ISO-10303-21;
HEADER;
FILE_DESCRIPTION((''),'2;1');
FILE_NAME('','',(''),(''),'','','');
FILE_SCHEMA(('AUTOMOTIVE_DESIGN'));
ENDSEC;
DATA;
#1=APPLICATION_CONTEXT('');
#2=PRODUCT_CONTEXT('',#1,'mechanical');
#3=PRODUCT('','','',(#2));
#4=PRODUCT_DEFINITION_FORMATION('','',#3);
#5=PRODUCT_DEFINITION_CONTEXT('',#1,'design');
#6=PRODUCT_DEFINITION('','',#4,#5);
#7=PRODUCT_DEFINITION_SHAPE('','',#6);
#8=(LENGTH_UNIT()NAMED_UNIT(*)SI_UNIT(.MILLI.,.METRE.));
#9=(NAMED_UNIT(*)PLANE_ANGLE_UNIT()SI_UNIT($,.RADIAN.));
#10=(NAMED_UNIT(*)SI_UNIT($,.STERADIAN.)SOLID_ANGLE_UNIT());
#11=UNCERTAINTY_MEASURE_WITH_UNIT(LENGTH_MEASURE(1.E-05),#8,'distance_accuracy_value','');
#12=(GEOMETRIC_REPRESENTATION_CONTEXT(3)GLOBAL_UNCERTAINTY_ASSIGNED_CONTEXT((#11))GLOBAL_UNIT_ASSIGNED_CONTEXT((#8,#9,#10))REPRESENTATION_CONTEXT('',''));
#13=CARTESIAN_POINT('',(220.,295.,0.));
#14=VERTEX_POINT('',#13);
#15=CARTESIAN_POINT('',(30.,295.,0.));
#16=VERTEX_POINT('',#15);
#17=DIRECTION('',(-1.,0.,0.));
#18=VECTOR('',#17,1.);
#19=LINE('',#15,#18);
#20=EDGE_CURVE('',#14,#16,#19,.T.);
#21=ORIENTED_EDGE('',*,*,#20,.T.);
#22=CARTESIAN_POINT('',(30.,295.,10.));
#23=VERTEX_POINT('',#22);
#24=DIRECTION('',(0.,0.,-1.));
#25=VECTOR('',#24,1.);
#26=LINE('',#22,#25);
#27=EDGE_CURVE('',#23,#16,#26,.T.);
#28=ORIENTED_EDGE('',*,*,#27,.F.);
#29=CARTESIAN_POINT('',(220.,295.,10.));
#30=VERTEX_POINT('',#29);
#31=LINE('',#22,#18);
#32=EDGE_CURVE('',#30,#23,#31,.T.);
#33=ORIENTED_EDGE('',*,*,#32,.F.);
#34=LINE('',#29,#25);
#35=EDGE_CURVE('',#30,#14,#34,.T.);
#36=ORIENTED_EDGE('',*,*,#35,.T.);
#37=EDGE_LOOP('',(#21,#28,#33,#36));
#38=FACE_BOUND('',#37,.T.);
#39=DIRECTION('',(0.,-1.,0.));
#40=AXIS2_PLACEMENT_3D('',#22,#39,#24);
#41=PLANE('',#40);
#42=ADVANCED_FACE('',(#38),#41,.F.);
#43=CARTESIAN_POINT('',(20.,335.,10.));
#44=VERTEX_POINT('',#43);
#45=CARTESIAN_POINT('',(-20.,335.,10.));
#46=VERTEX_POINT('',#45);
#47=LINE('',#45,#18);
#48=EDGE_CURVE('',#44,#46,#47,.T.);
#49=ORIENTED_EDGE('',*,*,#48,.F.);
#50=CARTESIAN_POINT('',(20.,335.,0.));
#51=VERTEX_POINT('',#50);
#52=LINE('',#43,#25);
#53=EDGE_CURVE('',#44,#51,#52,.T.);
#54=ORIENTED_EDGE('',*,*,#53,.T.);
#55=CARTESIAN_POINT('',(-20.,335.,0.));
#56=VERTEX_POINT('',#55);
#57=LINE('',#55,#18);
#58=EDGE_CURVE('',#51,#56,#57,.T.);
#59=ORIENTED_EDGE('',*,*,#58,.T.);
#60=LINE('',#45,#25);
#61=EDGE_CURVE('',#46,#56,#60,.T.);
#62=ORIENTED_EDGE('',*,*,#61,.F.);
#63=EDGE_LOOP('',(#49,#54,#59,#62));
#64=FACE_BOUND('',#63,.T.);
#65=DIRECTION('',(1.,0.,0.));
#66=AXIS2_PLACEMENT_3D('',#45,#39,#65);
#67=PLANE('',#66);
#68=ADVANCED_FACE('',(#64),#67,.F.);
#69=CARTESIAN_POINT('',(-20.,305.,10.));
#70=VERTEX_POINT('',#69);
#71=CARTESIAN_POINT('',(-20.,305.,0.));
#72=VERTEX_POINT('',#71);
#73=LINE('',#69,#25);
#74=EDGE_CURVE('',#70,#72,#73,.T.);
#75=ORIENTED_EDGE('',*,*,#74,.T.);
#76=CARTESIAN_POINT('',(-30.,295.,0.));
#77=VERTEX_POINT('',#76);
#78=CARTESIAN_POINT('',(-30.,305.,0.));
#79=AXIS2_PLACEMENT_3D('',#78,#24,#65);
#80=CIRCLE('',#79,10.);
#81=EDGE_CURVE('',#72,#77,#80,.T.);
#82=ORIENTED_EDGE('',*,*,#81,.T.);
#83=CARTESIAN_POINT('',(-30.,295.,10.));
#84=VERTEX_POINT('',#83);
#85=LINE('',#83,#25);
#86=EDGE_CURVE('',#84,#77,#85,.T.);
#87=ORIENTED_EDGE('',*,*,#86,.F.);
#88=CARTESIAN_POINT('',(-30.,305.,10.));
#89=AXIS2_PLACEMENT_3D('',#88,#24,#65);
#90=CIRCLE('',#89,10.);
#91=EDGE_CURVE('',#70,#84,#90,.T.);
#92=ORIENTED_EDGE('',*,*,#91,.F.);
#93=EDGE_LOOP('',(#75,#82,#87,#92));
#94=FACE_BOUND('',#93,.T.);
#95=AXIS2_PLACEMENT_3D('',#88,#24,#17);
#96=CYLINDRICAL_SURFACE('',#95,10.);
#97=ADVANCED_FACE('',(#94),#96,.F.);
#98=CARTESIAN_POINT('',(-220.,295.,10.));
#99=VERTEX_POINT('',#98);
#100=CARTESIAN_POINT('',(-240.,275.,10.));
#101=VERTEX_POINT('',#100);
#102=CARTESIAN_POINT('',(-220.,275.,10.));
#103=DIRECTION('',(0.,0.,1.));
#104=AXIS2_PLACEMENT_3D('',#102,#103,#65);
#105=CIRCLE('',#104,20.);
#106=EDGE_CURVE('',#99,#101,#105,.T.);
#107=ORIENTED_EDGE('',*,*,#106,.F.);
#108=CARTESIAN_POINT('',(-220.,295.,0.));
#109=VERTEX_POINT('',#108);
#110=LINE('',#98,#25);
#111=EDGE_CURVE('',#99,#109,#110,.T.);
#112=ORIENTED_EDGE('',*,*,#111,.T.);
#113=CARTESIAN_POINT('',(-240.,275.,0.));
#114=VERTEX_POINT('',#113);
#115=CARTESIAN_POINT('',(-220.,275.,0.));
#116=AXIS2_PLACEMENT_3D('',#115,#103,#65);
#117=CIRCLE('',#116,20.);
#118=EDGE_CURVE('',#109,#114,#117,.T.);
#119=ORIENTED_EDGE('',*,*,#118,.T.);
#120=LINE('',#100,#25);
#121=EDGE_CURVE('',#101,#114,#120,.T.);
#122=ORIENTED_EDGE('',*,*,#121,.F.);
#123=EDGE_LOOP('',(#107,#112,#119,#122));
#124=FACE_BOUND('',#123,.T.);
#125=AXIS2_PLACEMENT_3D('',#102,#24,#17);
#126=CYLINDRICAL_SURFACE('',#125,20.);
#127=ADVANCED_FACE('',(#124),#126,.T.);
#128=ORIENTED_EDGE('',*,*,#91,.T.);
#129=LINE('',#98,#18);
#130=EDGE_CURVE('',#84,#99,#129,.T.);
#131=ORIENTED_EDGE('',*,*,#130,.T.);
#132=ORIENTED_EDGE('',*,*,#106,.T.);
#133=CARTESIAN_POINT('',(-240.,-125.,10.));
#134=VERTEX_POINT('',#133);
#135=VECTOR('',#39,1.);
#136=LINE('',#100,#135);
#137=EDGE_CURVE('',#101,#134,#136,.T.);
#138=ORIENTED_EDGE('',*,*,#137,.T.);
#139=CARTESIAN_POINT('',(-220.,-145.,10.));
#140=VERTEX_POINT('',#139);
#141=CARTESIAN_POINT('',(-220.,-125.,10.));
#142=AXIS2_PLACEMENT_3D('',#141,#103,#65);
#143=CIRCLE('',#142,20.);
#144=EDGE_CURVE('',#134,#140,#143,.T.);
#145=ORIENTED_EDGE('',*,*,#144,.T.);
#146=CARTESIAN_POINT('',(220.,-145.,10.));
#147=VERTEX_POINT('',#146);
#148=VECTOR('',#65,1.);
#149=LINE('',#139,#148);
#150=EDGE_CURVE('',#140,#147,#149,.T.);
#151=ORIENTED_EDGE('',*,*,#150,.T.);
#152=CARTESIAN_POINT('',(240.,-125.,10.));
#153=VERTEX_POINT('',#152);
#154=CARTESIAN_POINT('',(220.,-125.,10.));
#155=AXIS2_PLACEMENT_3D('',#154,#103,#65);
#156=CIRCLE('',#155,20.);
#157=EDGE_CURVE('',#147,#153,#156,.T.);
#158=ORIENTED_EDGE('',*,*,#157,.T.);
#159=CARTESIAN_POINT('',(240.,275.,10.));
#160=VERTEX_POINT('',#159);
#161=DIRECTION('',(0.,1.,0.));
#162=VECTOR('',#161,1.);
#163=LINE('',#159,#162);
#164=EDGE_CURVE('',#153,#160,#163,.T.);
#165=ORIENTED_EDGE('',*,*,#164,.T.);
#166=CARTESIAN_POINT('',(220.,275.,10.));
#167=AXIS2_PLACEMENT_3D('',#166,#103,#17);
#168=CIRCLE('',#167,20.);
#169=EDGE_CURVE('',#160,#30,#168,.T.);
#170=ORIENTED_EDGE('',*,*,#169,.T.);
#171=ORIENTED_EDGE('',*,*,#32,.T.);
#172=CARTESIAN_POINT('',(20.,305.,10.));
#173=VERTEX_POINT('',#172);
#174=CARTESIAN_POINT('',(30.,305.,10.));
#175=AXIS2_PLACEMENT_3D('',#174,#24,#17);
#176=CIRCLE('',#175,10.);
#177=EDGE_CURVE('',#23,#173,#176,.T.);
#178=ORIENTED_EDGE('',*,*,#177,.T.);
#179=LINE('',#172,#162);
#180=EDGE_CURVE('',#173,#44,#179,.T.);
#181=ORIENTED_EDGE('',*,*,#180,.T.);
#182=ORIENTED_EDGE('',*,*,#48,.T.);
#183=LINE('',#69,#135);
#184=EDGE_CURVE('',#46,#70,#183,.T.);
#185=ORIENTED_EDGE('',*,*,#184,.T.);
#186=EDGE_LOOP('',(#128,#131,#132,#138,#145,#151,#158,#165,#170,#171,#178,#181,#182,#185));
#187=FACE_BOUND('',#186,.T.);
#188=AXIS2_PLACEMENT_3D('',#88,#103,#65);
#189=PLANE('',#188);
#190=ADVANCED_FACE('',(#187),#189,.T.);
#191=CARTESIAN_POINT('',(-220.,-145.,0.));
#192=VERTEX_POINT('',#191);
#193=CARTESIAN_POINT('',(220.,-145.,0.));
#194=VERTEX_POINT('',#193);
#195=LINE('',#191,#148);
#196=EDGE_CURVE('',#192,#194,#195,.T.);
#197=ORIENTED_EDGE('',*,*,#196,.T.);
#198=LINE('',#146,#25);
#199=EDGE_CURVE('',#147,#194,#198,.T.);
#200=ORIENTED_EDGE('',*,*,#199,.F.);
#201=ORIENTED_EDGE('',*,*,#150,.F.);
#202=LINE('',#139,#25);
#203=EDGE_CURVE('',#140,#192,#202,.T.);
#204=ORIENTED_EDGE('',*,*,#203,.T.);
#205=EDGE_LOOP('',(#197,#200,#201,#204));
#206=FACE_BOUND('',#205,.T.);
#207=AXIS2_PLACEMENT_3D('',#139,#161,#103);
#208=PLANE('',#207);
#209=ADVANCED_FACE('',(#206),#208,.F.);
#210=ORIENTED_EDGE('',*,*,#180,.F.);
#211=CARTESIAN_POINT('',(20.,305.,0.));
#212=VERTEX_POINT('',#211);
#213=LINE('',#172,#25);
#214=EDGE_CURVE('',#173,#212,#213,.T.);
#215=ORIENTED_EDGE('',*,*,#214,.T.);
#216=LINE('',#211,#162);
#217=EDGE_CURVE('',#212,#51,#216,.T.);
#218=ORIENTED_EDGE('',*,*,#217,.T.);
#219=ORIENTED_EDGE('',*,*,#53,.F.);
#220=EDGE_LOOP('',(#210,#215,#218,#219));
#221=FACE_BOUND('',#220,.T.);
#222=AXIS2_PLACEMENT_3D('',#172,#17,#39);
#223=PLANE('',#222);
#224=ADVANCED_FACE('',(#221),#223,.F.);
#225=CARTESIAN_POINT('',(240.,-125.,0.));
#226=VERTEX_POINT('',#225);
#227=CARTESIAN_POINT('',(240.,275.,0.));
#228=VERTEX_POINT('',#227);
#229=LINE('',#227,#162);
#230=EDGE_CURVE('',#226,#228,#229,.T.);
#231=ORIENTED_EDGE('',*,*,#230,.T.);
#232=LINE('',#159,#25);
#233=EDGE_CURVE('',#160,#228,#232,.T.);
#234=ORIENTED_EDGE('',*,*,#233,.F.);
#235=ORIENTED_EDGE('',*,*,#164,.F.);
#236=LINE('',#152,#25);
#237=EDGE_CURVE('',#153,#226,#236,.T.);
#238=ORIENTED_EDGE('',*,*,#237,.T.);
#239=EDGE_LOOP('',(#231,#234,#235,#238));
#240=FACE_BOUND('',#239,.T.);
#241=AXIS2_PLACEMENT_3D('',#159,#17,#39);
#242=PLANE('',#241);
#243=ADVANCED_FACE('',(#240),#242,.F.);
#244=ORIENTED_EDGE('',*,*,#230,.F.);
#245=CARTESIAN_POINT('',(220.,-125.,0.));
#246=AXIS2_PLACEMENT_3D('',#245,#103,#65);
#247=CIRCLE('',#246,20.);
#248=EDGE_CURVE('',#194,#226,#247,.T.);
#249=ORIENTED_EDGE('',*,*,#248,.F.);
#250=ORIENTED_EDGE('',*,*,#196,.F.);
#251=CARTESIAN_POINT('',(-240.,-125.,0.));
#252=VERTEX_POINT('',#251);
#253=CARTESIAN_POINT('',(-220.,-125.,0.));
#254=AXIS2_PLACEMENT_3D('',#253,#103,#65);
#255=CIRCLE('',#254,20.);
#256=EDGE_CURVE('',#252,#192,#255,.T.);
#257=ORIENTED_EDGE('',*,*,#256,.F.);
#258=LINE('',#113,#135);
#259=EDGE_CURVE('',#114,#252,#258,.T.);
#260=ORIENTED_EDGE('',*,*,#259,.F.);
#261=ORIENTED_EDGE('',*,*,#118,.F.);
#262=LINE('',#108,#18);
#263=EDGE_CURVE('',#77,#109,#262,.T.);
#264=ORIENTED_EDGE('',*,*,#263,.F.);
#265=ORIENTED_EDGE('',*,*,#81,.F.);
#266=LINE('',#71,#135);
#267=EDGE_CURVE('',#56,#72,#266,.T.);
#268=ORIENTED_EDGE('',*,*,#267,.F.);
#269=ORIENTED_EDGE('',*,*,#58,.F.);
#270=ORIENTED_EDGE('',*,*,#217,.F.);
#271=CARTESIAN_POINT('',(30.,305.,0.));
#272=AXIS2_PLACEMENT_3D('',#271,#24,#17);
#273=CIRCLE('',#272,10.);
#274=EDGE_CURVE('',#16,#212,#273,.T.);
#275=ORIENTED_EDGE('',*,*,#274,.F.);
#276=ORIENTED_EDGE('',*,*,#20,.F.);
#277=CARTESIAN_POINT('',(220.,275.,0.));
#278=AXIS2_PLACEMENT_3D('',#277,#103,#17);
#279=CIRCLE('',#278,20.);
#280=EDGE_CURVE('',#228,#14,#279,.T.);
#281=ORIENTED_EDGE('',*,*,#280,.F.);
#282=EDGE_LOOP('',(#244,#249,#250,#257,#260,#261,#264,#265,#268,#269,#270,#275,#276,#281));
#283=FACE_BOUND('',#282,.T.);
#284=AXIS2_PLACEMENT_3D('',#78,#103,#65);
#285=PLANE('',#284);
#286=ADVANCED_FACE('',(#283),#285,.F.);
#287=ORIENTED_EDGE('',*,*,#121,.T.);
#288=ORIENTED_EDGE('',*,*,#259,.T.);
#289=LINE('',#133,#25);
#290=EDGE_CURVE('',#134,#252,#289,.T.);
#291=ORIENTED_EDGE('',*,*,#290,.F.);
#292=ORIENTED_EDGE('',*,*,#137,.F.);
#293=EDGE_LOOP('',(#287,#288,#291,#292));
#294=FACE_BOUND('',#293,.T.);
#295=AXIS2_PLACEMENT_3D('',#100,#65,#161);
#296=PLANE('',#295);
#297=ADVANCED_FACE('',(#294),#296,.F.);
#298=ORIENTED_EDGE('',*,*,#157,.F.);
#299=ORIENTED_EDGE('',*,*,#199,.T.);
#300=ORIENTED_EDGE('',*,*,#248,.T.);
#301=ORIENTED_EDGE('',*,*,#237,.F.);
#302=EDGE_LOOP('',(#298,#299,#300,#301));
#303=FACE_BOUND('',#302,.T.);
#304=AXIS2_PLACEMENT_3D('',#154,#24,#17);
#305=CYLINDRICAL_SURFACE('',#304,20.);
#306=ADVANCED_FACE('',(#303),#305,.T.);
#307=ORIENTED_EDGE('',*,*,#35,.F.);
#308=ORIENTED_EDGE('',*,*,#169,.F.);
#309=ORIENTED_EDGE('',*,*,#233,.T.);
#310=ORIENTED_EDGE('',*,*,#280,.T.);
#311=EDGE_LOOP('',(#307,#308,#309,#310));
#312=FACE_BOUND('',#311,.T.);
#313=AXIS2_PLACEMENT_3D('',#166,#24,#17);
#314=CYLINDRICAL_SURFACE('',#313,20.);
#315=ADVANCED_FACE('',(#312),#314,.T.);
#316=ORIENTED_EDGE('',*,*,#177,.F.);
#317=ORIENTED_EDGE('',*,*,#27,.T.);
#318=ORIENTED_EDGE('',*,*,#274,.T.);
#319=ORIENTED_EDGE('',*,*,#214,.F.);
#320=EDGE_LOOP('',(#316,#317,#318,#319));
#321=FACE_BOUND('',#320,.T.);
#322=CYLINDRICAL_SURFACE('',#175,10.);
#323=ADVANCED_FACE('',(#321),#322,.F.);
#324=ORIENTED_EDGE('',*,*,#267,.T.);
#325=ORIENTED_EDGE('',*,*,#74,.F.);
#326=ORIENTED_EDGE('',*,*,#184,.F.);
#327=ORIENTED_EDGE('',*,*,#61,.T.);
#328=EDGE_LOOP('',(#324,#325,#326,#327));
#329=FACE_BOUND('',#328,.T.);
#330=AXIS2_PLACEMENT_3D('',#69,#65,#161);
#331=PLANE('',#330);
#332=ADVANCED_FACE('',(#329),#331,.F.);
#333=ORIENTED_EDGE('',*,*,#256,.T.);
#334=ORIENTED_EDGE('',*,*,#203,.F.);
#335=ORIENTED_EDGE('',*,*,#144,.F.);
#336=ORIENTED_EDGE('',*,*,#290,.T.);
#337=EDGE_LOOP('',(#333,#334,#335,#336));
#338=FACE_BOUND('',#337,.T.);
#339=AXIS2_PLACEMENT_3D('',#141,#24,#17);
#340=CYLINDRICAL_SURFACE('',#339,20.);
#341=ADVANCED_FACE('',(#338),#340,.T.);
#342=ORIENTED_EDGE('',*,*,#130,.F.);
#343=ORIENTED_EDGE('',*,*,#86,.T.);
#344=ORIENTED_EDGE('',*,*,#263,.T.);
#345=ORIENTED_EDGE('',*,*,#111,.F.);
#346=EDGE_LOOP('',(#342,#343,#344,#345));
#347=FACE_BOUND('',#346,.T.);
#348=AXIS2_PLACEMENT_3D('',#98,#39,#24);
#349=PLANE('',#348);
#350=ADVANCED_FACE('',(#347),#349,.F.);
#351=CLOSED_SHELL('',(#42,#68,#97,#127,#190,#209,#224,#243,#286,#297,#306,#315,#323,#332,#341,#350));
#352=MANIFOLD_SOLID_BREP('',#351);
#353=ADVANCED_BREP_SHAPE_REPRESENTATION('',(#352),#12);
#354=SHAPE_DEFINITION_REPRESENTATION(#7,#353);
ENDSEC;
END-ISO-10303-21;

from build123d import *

# Parameters (mm, degrees)
BOSS_EXTRU_1_DEPTH = 10


with BuildPart() as part:
    # Esquisse1 → Boss.-Extru.1 (new body)
    with BuildSketch(Plane.XY):
        with BuildLine():
            Line((-220, 295), (-30, 295))
            ThreePointArc((-30, 295), (-22.928932188, 297.928932188), (-20, 305))
            Line((-20, 305), (-20, 335))
            Line((-20, 335), (20, 335))
            Line((20, 335), (20, 305))
            ThreePointArc((20, 305), (22.928932188, 297.928932188), (30, 295))
            Line((30, 295), (220, 295))
            ThreePointArc((220, 295), (234.142135624, 289.142135624), (240, 275))
            Line((240, 275), (240, -125))
            ThreePointArc((240, -125), (234.142135624, -139.142135624), (220, -145))
            Line((220, -145), (-220, -145))
            ThreePointArc((-220, -145), (-234.142135624, -139.142135624), (-240, -125))
            Line((-240, -125), (-240, 275))
            ThreePointArc((-240, 275), (-234.142135624, 289.142135624), (-220, 295))
        make_face()
    extrude(amount=BOSS_EXTRU_1_DEPTH)


solid = part.part
